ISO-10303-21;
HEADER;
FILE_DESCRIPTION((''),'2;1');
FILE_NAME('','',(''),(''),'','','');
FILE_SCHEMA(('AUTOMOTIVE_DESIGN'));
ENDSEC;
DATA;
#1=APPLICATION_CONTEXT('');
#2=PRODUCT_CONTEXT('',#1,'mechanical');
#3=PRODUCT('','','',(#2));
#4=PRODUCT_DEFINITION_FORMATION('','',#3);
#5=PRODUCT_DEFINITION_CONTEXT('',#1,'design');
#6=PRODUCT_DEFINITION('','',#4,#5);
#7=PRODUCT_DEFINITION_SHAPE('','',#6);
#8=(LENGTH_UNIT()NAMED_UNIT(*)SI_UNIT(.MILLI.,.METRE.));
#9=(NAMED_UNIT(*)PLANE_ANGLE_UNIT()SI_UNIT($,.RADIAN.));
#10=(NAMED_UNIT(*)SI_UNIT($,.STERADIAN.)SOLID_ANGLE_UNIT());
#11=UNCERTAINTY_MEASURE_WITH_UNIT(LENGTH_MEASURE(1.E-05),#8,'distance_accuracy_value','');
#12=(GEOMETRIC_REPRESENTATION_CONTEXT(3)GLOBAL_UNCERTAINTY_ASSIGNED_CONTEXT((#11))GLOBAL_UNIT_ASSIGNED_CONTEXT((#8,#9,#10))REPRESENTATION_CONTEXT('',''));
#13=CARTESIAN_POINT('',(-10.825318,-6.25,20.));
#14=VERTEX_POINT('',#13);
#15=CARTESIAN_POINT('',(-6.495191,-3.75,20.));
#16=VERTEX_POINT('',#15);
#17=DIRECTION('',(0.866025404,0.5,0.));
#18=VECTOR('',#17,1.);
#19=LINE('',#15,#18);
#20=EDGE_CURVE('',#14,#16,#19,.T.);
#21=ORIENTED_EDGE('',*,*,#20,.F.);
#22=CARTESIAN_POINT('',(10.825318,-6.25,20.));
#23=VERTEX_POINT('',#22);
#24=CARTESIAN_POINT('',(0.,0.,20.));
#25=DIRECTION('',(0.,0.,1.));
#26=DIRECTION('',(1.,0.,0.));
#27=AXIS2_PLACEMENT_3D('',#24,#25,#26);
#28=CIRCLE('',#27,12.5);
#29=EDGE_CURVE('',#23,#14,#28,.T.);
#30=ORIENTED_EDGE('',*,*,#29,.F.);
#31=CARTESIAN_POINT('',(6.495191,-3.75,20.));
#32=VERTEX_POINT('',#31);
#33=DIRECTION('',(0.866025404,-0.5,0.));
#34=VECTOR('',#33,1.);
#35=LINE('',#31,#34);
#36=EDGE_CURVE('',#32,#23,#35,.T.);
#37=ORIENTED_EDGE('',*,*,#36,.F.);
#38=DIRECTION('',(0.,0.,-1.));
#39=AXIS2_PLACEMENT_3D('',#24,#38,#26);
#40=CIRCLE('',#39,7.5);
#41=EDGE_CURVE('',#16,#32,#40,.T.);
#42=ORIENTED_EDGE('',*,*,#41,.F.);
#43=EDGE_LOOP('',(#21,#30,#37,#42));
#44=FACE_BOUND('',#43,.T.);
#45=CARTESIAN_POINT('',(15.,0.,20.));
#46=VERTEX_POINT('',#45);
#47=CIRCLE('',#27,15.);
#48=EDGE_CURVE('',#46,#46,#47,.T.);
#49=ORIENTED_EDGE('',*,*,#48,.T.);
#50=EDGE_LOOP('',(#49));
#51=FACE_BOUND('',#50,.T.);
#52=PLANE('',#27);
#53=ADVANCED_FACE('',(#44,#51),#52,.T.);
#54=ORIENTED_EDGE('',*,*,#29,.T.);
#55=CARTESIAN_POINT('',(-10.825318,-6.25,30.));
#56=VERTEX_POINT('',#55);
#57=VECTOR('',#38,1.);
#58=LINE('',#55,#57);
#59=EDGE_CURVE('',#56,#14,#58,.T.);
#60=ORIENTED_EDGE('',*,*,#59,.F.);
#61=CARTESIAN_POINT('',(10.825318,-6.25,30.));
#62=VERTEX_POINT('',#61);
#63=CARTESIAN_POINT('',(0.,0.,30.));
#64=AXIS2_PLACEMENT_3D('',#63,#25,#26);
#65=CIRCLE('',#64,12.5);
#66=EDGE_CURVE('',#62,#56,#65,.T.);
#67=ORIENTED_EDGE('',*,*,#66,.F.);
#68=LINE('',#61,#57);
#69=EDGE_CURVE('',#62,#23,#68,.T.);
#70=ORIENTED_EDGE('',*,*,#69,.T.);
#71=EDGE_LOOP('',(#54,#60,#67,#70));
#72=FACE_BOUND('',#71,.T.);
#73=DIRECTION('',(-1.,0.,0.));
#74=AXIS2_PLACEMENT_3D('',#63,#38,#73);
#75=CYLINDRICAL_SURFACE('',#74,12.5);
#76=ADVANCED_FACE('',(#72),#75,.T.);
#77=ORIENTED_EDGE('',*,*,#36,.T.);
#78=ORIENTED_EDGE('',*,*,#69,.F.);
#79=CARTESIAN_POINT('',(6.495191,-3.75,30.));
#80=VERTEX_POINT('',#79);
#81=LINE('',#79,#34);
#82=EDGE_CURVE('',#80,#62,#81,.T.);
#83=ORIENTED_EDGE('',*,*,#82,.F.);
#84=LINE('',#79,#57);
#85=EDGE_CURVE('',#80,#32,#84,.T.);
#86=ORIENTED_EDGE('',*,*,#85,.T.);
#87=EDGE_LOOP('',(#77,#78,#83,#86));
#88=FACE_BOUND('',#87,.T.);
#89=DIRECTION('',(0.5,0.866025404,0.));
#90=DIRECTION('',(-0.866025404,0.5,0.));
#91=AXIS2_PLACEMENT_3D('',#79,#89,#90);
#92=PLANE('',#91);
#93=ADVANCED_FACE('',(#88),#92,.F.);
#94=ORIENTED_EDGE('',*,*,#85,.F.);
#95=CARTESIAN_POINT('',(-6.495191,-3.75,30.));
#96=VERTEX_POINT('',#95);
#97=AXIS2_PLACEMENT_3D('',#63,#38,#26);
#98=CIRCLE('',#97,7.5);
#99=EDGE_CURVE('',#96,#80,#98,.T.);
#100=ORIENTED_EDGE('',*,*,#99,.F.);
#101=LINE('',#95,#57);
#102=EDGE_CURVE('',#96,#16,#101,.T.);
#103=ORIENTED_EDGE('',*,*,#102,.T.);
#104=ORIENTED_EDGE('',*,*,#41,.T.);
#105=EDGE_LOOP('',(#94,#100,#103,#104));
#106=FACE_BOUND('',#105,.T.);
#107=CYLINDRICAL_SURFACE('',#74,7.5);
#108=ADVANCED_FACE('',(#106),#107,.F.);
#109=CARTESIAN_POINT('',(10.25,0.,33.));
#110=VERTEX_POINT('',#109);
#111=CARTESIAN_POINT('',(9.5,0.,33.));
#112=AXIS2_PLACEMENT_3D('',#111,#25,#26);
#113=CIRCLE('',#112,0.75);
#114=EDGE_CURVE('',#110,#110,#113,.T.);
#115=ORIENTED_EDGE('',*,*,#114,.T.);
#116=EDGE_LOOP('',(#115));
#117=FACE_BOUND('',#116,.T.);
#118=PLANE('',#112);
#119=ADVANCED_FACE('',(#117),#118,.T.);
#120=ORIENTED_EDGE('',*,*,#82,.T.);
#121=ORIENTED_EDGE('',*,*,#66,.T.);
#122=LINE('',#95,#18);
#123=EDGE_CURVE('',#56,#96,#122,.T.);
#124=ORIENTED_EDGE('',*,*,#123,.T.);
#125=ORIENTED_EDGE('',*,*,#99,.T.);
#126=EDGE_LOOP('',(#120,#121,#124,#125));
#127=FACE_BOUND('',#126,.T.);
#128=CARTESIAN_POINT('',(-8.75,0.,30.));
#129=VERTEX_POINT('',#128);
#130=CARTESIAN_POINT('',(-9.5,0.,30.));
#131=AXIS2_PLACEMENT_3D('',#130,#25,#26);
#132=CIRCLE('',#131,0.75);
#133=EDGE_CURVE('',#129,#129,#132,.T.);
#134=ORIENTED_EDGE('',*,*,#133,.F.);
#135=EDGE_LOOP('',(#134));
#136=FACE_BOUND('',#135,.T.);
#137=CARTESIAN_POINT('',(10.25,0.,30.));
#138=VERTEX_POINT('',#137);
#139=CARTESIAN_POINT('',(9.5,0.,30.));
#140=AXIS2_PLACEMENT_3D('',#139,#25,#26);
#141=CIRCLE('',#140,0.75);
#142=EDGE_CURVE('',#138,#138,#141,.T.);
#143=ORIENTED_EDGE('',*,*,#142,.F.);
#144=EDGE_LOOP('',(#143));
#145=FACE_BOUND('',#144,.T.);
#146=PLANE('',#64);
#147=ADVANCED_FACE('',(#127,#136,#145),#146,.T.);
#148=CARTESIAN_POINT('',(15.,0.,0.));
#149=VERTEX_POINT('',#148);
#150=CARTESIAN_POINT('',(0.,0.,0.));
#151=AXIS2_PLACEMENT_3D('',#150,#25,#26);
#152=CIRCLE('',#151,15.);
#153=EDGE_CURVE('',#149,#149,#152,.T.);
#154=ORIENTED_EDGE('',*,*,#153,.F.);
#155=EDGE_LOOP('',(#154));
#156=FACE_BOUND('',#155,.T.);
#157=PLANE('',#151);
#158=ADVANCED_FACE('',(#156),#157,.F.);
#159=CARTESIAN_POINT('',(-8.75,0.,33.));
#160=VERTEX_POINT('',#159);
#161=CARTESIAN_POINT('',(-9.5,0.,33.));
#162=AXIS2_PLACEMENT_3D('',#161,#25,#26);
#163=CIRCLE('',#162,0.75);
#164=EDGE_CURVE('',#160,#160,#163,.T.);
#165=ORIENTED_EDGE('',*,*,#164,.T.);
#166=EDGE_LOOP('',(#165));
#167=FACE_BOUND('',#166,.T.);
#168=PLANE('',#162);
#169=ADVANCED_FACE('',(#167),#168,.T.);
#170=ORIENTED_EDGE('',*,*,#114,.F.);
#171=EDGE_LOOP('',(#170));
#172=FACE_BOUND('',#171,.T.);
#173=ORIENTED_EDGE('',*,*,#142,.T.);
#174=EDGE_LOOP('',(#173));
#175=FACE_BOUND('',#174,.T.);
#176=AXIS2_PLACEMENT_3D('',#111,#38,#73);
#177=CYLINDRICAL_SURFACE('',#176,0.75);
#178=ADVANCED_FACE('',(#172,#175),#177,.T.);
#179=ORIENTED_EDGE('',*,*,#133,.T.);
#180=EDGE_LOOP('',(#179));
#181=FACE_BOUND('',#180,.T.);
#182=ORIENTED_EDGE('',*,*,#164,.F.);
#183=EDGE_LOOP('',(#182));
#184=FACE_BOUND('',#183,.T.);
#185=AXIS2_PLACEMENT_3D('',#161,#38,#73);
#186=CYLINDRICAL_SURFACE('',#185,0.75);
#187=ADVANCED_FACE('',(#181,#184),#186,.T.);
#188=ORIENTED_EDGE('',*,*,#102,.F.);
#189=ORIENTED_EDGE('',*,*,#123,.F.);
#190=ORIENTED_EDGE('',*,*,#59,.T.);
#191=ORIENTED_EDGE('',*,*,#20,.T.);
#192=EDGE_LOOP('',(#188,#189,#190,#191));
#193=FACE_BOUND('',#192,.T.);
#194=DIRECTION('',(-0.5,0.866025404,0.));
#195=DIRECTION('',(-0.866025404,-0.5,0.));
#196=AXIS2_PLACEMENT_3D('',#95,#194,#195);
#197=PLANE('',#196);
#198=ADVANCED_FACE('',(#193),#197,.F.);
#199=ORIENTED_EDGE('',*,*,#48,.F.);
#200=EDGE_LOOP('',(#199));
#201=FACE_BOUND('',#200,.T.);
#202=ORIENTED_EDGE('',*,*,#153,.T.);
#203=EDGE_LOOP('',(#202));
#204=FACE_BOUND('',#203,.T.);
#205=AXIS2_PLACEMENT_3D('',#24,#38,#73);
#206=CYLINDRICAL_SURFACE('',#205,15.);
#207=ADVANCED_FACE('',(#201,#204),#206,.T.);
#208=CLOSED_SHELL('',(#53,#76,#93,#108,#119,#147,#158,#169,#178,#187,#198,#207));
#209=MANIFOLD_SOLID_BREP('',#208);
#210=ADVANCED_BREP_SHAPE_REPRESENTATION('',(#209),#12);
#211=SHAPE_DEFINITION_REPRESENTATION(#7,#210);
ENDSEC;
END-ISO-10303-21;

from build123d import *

# Parameters (mm, degrees)
SKETCH1_R           = 15
BOSS_EXTRUDE1_DEPTH = 20
BOSS_EXTRUDE2_DEPTH = 10
SKETCH3_R           = 0.75
BOSS_EXTRUDE3_DEPTH = 3


with BuildPart() as part:
    # Sketch1 → Boss-Extrude1 (new body)
    with BuildSketch(Plane.XY):
        Circle(SKETCH1_R)
    extrude(amount=BOSS_EXTRUDE1_DEPTH)

    # Sketch2 → Boss-Extrude2 (add)
    with BuildSketch(Plane.XY.offset(20)):
        with BuildLine():
            Line((-6.495190528, -3.75), (-10.825317547, -6.25))
            ThreePointArc((-10.825317547, -6.25), (0, 12.5), (10.825317547, -6.25))
            Line((10.825317547, -6.25), (6.495190528, -3.75))
            ThreePointArc((6.495190528, -3.75), (0, 7.5), (-6.495190528, -3.75))
        make_face()
    extrude(amount=BOSS_EXTRUDE2_DEPTH)

    # Sketch3 → Boss-Extrude3 (add)
    with BuildSketch(Plane.XY.offset(30)):
        with Locations((9.5, 0)):
            Circle(SKETCH3_R)
        with Locations((-9.5, 0)):
            Circle(SKETCH3_R)
    extrude(amount=BOSS_EXTRUDE3_DEPTH)


solid = part.part
